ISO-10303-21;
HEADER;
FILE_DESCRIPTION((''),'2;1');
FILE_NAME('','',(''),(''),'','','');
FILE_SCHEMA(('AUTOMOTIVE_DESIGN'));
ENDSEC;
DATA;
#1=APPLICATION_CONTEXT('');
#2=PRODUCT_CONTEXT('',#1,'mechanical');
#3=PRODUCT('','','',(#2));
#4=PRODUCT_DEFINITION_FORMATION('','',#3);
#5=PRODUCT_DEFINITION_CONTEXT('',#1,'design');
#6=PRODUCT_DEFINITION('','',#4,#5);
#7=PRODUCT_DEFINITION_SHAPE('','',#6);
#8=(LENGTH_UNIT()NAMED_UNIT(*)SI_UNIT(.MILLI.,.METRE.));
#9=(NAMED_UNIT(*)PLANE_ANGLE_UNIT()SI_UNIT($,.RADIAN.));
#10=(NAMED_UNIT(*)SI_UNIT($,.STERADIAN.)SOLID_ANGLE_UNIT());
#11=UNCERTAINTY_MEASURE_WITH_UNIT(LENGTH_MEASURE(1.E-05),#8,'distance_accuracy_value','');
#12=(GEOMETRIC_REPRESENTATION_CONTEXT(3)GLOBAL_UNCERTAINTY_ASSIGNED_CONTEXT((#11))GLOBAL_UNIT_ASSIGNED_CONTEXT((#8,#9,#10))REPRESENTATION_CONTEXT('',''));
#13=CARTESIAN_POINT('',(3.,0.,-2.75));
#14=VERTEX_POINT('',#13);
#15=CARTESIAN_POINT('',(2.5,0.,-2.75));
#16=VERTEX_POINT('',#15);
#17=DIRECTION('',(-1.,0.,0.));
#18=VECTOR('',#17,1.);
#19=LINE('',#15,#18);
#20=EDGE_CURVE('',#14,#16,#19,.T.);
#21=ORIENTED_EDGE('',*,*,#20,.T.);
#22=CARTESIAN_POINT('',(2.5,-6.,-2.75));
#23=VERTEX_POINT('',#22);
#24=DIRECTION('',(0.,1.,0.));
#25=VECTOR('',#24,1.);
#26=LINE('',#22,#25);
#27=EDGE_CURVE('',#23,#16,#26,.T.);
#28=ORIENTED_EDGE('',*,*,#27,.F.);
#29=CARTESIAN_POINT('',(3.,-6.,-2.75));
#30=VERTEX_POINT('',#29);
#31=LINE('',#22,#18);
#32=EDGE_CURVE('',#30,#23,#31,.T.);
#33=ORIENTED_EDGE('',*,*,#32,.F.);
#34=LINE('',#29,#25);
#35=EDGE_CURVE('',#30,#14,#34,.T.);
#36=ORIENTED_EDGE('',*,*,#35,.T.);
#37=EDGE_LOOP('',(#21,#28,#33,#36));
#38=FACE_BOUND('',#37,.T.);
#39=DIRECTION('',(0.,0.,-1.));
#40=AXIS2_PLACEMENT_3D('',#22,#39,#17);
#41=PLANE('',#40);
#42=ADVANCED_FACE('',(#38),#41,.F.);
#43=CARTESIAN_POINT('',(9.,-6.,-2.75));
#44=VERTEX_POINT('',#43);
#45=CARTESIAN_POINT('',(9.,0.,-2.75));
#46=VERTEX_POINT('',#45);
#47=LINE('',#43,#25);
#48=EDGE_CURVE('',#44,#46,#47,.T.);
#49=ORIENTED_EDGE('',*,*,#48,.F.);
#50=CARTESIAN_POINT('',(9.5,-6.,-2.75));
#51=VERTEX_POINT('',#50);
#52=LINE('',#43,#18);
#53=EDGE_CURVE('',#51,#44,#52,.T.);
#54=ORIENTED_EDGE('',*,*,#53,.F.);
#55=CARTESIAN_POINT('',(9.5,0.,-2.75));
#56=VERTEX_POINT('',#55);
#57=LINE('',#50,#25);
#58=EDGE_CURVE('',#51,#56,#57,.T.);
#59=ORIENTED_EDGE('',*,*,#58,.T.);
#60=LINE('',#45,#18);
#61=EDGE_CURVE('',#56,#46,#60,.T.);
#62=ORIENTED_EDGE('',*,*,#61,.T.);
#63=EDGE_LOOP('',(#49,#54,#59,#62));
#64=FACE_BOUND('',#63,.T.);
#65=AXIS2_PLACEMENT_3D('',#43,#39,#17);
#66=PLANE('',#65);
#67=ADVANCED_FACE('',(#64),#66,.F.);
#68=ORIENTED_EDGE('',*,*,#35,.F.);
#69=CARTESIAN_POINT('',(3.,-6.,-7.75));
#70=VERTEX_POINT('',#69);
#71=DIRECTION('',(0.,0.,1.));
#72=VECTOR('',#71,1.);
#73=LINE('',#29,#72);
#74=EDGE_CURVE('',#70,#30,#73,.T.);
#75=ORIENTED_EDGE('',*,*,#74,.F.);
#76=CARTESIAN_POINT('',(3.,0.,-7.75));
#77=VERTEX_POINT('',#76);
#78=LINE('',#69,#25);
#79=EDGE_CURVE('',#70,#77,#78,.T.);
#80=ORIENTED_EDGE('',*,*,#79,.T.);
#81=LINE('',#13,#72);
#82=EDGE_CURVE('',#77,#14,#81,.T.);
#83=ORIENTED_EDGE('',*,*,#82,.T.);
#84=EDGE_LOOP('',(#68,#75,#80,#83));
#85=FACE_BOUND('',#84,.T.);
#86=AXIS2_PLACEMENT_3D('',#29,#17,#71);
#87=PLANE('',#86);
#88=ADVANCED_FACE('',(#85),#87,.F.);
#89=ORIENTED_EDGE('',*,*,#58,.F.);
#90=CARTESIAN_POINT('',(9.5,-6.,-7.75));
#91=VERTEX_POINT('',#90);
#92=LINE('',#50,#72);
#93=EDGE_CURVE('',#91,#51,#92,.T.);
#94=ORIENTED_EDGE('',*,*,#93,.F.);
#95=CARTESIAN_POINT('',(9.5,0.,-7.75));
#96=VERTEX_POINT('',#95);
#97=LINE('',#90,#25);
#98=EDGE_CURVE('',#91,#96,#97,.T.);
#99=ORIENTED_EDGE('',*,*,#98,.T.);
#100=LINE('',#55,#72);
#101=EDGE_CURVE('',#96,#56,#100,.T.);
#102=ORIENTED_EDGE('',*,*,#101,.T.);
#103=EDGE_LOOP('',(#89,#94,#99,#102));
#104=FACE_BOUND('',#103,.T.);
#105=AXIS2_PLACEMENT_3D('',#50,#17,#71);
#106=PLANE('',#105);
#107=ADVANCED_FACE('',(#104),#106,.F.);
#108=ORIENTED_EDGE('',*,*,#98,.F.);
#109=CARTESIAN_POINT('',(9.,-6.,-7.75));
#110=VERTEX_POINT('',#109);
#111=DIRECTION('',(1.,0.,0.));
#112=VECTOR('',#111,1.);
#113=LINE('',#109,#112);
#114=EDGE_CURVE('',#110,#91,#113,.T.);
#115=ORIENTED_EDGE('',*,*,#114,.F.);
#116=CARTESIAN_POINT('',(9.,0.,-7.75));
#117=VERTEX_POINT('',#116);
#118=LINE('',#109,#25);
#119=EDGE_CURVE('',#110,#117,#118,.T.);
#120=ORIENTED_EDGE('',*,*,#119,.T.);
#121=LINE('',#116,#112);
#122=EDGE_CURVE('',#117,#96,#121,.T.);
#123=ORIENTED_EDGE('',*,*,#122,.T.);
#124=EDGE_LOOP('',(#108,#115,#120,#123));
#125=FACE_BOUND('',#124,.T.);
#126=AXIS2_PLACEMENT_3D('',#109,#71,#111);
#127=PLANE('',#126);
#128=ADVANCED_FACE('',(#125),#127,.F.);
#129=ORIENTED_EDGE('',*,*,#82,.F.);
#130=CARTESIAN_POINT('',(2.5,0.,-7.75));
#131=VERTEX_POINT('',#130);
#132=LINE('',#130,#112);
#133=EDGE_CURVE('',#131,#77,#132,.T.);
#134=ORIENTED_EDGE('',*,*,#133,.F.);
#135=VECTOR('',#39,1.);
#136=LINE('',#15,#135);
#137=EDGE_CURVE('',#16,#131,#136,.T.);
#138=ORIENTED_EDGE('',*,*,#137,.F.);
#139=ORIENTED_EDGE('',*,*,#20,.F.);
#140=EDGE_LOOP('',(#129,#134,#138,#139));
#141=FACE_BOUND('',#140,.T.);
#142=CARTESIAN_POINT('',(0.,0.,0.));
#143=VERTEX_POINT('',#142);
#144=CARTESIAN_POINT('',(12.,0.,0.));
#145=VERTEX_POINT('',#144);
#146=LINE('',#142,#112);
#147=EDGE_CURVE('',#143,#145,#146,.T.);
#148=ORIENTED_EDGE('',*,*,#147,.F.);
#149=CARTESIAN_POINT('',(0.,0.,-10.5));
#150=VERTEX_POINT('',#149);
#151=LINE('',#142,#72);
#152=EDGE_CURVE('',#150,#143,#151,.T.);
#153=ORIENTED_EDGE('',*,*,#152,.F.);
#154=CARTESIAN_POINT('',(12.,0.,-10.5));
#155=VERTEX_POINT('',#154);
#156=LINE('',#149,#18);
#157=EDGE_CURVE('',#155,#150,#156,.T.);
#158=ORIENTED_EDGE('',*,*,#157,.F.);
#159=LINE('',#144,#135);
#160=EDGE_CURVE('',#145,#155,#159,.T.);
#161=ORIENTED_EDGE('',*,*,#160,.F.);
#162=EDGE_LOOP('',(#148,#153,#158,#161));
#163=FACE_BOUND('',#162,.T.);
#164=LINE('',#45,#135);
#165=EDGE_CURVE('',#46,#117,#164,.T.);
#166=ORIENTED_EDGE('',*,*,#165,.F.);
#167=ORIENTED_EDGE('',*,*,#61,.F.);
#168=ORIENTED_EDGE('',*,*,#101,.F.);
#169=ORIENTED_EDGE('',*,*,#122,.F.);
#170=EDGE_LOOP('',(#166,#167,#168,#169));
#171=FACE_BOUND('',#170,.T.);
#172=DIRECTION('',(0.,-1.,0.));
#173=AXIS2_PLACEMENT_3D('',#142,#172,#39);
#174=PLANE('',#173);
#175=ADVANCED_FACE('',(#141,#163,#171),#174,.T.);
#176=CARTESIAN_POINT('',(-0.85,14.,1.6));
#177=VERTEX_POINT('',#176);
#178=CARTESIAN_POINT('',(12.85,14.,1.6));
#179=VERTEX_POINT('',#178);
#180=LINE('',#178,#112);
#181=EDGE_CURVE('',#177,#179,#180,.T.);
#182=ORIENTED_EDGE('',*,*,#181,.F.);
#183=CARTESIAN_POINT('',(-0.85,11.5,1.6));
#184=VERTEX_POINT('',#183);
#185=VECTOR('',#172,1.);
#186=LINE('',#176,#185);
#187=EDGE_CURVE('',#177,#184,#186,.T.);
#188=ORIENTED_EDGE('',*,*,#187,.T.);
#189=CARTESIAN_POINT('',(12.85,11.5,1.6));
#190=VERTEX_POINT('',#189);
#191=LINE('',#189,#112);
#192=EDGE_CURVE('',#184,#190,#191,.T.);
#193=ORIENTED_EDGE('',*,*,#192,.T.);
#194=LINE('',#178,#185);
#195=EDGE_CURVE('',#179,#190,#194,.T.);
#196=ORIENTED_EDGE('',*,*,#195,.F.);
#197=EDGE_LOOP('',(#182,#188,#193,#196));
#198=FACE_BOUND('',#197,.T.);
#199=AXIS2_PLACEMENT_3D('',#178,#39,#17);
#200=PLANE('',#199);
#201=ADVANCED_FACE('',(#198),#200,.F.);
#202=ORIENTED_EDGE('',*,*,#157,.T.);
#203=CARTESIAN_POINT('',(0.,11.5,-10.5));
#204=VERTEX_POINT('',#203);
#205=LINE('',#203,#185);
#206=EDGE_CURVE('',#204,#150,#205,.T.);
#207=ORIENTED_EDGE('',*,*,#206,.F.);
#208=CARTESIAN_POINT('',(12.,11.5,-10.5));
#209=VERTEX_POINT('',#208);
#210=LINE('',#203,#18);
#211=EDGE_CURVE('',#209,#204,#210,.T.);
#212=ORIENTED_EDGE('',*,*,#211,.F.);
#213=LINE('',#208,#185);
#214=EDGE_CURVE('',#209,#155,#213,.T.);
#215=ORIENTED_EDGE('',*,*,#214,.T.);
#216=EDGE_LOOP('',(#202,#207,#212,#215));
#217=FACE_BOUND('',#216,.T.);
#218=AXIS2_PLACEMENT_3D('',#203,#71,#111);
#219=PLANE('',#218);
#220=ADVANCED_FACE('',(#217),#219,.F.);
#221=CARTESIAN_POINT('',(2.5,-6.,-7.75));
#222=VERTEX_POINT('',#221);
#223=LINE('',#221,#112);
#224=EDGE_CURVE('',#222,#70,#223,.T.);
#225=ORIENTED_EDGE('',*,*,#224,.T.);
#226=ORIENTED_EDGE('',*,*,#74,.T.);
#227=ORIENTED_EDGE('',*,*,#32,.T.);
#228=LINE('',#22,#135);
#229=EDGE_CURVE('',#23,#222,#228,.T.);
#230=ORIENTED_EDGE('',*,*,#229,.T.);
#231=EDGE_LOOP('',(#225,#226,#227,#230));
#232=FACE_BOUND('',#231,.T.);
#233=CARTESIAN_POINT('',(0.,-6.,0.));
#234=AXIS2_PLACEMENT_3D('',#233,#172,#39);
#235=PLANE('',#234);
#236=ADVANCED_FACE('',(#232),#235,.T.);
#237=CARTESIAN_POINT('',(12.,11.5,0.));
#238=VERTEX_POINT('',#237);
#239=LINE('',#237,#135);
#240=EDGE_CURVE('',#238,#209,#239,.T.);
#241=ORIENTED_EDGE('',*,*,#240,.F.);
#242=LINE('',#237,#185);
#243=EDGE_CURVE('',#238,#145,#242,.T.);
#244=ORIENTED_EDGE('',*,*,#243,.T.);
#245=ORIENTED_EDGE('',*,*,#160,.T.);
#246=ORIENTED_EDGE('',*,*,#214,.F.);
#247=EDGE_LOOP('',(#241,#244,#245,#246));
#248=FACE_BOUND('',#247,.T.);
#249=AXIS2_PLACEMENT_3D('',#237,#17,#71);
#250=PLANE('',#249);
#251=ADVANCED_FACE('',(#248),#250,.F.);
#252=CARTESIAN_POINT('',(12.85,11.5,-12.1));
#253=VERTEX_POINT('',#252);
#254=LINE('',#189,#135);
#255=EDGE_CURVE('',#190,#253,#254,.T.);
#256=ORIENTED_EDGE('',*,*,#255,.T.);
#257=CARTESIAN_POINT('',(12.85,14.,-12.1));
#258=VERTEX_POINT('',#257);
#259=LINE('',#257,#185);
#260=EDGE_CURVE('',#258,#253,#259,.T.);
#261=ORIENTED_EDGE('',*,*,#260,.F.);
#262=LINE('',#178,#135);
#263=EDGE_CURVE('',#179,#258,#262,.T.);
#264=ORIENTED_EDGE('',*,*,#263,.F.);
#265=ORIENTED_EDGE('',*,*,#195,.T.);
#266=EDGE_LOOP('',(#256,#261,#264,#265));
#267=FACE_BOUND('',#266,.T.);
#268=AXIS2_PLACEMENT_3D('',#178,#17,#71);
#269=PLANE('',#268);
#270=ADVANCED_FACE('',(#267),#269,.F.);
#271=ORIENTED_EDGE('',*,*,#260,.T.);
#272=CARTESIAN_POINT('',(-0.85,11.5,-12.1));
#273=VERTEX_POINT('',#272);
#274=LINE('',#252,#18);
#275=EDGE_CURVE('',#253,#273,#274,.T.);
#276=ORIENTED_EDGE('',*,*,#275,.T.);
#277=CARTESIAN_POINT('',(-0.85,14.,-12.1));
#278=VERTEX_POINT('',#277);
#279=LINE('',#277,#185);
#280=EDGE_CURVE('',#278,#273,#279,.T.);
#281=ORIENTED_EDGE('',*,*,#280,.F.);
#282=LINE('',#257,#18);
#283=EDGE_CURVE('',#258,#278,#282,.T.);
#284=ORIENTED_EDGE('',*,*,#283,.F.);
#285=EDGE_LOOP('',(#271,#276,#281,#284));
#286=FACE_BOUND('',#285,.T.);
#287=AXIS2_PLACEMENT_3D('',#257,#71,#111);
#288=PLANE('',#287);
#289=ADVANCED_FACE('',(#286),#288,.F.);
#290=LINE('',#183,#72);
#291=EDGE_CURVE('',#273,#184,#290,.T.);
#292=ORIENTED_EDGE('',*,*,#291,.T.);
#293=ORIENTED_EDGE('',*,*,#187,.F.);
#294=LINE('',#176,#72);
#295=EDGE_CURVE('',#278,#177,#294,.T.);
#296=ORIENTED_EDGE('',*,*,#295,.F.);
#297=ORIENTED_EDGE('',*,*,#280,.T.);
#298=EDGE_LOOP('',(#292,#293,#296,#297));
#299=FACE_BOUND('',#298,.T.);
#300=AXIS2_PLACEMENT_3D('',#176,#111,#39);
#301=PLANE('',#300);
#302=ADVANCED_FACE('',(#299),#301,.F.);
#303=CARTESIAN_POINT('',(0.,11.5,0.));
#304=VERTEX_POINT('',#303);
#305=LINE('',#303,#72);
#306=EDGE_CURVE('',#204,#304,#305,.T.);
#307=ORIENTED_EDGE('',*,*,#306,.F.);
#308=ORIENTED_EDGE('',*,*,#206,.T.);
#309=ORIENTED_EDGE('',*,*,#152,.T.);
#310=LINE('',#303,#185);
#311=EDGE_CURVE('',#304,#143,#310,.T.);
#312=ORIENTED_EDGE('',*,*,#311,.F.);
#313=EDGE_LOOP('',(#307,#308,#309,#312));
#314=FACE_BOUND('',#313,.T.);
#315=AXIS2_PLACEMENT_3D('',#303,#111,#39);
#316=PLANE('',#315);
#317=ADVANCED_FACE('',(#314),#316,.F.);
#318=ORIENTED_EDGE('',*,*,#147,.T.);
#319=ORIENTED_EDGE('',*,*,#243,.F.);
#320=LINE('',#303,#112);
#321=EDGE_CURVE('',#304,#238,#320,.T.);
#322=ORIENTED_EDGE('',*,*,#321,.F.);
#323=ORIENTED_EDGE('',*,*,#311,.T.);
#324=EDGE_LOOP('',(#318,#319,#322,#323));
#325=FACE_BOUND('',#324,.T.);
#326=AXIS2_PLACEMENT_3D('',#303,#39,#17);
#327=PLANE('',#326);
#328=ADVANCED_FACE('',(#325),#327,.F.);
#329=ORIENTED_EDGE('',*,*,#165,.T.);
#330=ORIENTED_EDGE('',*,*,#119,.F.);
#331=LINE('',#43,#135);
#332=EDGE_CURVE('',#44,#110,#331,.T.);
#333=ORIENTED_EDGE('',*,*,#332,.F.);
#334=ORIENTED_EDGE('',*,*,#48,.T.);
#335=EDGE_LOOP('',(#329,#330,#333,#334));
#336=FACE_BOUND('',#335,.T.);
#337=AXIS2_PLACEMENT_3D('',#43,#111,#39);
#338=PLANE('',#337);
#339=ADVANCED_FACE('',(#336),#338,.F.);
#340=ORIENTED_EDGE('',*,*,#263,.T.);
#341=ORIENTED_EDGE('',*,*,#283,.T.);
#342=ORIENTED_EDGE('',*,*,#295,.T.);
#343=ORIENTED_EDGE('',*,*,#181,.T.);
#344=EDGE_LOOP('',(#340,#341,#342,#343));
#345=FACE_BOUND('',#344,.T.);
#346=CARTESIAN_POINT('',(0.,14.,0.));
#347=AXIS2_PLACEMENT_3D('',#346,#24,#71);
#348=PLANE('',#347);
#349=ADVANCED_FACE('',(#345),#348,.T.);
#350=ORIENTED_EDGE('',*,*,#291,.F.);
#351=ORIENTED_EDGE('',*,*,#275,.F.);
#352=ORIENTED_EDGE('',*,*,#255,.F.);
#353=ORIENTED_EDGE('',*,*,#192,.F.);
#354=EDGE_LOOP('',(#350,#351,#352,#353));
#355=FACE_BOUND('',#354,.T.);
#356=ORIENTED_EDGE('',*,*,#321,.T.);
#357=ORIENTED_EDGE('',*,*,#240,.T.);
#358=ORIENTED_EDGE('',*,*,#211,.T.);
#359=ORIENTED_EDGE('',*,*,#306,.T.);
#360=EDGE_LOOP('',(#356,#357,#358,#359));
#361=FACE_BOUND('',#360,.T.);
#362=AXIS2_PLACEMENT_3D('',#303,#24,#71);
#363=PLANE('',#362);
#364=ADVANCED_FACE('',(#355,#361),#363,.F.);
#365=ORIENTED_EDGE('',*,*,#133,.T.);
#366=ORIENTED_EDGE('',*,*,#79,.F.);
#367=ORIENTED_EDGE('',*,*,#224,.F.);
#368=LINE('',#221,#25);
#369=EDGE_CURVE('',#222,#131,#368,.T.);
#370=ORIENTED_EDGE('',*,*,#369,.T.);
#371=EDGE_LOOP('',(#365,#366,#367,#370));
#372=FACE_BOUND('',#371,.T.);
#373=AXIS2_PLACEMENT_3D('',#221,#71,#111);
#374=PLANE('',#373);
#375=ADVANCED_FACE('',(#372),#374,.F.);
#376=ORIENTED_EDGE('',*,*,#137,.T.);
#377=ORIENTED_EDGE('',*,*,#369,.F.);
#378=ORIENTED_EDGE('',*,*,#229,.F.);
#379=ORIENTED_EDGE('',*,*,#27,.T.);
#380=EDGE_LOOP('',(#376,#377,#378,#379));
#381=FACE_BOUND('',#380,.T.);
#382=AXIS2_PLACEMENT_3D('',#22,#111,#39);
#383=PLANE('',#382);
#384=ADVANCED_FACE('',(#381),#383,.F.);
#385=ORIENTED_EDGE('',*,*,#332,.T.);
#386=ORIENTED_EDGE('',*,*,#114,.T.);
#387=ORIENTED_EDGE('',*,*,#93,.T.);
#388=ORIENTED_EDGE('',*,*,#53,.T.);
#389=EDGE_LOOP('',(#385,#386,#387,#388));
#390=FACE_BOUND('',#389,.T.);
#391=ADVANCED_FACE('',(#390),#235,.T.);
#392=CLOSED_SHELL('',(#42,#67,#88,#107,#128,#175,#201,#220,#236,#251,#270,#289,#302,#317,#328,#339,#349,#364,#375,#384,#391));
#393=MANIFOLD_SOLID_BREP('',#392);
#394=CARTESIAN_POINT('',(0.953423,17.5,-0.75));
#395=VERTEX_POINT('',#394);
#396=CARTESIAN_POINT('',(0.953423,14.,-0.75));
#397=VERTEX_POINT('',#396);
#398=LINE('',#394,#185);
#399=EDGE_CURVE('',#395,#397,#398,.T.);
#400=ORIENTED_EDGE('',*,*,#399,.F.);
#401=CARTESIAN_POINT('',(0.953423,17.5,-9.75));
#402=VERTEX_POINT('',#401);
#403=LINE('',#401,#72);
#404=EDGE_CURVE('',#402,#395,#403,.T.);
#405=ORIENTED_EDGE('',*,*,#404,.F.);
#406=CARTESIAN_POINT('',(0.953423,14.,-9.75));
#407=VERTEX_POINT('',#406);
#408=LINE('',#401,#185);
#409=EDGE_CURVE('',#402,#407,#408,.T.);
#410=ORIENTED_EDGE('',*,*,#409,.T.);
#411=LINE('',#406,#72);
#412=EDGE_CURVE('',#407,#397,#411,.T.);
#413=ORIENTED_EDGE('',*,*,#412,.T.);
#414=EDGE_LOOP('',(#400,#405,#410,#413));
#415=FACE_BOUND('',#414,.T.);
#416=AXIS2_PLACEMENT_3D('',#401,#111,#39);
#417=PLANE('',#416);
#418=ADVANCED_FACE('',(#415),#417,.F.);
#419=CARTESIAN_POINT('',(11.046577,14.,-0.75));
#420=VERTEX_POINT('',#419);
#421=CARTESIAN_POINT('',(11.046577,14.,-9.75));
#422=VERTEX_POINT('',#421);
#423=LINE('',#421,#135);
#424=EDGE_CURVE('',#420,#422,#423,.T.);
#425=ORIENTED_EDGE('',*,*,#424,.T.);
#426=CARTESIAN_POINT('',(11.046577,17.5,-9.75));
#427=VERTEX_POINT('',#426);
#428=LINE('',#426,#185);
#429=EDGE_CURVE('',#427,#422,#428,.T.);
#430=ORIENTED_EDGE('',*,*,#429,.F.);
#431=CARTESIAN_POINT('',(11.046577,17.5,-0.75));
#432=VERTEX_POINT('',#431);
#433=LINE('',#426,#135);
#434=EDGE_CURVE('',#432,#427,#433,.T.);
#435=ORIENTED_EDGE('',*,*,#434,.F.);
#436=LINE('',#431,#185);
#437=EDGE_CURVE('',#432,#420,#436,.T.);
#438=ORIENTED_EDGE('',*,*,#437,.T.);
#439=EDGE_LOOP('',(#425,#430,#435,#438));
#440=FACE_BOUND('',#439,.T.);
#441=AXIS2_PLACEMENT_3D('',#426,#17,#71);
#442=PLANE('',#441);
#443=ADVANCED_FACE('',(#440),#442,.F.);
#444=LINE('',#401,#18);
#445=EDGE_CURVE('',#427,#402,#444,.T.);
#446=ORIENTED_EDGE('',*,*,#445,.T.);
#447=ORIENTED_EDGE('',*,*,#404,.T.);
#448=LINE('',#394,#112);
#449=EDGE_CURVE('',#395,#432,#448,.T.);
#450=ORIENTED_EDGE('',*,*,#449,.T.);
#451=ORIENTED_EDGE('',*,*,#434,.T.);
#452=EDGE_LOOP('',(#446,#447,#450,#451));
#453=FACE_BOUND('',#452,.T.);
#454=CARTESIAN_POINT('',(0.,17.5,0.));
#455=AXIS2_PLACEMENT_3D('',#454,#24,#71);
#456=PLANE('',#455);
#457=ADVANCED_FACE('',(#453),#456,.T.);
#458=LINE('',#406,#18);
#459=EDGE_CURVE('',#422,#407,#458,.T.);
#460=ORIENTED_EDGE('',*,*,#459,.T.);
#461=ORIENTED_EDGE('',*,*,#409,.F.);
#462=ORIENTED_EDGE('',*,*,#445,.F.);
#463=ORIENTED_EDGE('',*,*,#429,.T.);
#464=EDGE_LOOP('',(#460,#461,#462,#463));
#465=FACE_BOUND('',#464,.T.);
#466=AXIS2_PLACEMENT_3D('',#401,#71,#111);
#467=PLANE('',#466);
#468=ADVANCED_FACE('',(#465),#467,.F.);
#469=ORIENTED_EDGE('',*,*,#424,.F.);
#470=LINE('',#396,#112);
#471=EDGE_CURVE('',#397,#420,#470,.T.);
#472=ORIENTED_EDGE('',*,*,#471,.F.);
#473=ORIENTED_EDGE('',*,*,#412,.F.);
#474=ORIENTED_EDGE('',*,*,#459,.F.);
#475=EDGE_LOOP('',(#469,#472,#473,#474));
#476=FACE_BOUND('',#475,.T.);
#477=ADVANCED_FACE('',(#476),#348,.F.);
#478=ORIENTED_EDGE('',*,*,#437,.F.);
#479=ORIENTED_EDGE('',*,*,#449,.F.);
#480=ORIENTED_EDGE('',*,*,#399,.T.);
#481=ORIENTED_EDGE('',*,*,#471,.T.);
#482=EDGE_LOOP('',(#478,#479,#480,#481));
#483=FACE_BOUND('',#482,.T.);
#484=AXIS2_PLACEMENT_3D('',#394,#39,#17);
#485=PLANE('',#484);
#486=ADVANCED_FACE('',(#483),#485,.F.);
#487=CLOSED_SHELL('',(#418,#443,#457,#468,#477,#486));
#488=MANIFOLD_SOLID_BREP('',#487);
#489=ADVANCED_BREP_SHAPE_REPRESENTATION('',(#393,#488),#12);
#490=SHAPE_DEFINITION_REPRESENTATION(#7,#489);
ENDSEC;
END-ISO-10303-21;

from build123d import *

# Parameters (mm, degrees)
SKETCH_1_W      = 12
SKETCH_1_H      = 10.5
EXTRUDE_1_DEPTH = 11.5
SKETCH_2_W      = 13.7
SKETCH_2_H      = 13.7
EXTRUDE_2_DEPTH = 2.5
SKETCH_3_W      = 10.093154374
SKETCH_3_H      = 9
EXTRUDE_3_DEPTH = 3.5
SKETCH_4_W      = 0.5
SKETCH_4_H      = 5
EXTRUDE_4_DEPTH = 6


with BuildPart() as part:
    # Эскиз1 → Бобышка-Вытянуть1 (new body)
    with BuildSketch(Plane(origin=(0, 0, 0), x_dir=(1, 0, 0), z_dir=(0, 1, 0))):
        with Locations((6, 5.25)):
            Rectangle(SKETCH_1_W, SKETCH_1_H)
    extrude(amount=EXTRUDE_1_DEPTH)

    # Эскиз2 → Бобышка-Вытянуть2 (add)
    with BuildSketch(Plane(origin=(0, 11.5, 0), x_dir=(1, 0, 0), z_dir=(0, 1, 0))):
        with Locations((6, 5.25)):
            Rectangle(SKETCH_2_W, SKETCH_2_H)
    extrude(amount=EXTRUDE_2_DEPTH)

    # Эскиз4 → Бобышка-Вытянуть4 (add)
    with BuildSketch(Plane(origin=(0, 0, 0), x_dir=(-1, 0, 0), z_dir=(0, -1, 0))):
        with Locations((-2.75, 5.25)):
            Rectangle(SKETCH_4_W, SKETCH_4_H)
        with Locations((-9.25, 5.25)):
            Rectangle(SKETCH_4_W, SKETCH_4_H)
    extrude(amount=EXTRUDE_4_DEPTH)


with BuildPart() as body_2:
    # Эскиз3 → Бобышка-Вытянуть3 (new body)
    with BuildSketch(Plane(origin=(0, 14, 0), x_dir=(1, 0, 0), z_dir=(0, 1, 0))):
        with Locations((6, 5.25)):
            Rectangle(SKETCH_3_W, SKETCH_3_H)
    extrude(amount=EXTRUDE_3_DEPTH)


solid = Compound([part.part, body_2.part])
